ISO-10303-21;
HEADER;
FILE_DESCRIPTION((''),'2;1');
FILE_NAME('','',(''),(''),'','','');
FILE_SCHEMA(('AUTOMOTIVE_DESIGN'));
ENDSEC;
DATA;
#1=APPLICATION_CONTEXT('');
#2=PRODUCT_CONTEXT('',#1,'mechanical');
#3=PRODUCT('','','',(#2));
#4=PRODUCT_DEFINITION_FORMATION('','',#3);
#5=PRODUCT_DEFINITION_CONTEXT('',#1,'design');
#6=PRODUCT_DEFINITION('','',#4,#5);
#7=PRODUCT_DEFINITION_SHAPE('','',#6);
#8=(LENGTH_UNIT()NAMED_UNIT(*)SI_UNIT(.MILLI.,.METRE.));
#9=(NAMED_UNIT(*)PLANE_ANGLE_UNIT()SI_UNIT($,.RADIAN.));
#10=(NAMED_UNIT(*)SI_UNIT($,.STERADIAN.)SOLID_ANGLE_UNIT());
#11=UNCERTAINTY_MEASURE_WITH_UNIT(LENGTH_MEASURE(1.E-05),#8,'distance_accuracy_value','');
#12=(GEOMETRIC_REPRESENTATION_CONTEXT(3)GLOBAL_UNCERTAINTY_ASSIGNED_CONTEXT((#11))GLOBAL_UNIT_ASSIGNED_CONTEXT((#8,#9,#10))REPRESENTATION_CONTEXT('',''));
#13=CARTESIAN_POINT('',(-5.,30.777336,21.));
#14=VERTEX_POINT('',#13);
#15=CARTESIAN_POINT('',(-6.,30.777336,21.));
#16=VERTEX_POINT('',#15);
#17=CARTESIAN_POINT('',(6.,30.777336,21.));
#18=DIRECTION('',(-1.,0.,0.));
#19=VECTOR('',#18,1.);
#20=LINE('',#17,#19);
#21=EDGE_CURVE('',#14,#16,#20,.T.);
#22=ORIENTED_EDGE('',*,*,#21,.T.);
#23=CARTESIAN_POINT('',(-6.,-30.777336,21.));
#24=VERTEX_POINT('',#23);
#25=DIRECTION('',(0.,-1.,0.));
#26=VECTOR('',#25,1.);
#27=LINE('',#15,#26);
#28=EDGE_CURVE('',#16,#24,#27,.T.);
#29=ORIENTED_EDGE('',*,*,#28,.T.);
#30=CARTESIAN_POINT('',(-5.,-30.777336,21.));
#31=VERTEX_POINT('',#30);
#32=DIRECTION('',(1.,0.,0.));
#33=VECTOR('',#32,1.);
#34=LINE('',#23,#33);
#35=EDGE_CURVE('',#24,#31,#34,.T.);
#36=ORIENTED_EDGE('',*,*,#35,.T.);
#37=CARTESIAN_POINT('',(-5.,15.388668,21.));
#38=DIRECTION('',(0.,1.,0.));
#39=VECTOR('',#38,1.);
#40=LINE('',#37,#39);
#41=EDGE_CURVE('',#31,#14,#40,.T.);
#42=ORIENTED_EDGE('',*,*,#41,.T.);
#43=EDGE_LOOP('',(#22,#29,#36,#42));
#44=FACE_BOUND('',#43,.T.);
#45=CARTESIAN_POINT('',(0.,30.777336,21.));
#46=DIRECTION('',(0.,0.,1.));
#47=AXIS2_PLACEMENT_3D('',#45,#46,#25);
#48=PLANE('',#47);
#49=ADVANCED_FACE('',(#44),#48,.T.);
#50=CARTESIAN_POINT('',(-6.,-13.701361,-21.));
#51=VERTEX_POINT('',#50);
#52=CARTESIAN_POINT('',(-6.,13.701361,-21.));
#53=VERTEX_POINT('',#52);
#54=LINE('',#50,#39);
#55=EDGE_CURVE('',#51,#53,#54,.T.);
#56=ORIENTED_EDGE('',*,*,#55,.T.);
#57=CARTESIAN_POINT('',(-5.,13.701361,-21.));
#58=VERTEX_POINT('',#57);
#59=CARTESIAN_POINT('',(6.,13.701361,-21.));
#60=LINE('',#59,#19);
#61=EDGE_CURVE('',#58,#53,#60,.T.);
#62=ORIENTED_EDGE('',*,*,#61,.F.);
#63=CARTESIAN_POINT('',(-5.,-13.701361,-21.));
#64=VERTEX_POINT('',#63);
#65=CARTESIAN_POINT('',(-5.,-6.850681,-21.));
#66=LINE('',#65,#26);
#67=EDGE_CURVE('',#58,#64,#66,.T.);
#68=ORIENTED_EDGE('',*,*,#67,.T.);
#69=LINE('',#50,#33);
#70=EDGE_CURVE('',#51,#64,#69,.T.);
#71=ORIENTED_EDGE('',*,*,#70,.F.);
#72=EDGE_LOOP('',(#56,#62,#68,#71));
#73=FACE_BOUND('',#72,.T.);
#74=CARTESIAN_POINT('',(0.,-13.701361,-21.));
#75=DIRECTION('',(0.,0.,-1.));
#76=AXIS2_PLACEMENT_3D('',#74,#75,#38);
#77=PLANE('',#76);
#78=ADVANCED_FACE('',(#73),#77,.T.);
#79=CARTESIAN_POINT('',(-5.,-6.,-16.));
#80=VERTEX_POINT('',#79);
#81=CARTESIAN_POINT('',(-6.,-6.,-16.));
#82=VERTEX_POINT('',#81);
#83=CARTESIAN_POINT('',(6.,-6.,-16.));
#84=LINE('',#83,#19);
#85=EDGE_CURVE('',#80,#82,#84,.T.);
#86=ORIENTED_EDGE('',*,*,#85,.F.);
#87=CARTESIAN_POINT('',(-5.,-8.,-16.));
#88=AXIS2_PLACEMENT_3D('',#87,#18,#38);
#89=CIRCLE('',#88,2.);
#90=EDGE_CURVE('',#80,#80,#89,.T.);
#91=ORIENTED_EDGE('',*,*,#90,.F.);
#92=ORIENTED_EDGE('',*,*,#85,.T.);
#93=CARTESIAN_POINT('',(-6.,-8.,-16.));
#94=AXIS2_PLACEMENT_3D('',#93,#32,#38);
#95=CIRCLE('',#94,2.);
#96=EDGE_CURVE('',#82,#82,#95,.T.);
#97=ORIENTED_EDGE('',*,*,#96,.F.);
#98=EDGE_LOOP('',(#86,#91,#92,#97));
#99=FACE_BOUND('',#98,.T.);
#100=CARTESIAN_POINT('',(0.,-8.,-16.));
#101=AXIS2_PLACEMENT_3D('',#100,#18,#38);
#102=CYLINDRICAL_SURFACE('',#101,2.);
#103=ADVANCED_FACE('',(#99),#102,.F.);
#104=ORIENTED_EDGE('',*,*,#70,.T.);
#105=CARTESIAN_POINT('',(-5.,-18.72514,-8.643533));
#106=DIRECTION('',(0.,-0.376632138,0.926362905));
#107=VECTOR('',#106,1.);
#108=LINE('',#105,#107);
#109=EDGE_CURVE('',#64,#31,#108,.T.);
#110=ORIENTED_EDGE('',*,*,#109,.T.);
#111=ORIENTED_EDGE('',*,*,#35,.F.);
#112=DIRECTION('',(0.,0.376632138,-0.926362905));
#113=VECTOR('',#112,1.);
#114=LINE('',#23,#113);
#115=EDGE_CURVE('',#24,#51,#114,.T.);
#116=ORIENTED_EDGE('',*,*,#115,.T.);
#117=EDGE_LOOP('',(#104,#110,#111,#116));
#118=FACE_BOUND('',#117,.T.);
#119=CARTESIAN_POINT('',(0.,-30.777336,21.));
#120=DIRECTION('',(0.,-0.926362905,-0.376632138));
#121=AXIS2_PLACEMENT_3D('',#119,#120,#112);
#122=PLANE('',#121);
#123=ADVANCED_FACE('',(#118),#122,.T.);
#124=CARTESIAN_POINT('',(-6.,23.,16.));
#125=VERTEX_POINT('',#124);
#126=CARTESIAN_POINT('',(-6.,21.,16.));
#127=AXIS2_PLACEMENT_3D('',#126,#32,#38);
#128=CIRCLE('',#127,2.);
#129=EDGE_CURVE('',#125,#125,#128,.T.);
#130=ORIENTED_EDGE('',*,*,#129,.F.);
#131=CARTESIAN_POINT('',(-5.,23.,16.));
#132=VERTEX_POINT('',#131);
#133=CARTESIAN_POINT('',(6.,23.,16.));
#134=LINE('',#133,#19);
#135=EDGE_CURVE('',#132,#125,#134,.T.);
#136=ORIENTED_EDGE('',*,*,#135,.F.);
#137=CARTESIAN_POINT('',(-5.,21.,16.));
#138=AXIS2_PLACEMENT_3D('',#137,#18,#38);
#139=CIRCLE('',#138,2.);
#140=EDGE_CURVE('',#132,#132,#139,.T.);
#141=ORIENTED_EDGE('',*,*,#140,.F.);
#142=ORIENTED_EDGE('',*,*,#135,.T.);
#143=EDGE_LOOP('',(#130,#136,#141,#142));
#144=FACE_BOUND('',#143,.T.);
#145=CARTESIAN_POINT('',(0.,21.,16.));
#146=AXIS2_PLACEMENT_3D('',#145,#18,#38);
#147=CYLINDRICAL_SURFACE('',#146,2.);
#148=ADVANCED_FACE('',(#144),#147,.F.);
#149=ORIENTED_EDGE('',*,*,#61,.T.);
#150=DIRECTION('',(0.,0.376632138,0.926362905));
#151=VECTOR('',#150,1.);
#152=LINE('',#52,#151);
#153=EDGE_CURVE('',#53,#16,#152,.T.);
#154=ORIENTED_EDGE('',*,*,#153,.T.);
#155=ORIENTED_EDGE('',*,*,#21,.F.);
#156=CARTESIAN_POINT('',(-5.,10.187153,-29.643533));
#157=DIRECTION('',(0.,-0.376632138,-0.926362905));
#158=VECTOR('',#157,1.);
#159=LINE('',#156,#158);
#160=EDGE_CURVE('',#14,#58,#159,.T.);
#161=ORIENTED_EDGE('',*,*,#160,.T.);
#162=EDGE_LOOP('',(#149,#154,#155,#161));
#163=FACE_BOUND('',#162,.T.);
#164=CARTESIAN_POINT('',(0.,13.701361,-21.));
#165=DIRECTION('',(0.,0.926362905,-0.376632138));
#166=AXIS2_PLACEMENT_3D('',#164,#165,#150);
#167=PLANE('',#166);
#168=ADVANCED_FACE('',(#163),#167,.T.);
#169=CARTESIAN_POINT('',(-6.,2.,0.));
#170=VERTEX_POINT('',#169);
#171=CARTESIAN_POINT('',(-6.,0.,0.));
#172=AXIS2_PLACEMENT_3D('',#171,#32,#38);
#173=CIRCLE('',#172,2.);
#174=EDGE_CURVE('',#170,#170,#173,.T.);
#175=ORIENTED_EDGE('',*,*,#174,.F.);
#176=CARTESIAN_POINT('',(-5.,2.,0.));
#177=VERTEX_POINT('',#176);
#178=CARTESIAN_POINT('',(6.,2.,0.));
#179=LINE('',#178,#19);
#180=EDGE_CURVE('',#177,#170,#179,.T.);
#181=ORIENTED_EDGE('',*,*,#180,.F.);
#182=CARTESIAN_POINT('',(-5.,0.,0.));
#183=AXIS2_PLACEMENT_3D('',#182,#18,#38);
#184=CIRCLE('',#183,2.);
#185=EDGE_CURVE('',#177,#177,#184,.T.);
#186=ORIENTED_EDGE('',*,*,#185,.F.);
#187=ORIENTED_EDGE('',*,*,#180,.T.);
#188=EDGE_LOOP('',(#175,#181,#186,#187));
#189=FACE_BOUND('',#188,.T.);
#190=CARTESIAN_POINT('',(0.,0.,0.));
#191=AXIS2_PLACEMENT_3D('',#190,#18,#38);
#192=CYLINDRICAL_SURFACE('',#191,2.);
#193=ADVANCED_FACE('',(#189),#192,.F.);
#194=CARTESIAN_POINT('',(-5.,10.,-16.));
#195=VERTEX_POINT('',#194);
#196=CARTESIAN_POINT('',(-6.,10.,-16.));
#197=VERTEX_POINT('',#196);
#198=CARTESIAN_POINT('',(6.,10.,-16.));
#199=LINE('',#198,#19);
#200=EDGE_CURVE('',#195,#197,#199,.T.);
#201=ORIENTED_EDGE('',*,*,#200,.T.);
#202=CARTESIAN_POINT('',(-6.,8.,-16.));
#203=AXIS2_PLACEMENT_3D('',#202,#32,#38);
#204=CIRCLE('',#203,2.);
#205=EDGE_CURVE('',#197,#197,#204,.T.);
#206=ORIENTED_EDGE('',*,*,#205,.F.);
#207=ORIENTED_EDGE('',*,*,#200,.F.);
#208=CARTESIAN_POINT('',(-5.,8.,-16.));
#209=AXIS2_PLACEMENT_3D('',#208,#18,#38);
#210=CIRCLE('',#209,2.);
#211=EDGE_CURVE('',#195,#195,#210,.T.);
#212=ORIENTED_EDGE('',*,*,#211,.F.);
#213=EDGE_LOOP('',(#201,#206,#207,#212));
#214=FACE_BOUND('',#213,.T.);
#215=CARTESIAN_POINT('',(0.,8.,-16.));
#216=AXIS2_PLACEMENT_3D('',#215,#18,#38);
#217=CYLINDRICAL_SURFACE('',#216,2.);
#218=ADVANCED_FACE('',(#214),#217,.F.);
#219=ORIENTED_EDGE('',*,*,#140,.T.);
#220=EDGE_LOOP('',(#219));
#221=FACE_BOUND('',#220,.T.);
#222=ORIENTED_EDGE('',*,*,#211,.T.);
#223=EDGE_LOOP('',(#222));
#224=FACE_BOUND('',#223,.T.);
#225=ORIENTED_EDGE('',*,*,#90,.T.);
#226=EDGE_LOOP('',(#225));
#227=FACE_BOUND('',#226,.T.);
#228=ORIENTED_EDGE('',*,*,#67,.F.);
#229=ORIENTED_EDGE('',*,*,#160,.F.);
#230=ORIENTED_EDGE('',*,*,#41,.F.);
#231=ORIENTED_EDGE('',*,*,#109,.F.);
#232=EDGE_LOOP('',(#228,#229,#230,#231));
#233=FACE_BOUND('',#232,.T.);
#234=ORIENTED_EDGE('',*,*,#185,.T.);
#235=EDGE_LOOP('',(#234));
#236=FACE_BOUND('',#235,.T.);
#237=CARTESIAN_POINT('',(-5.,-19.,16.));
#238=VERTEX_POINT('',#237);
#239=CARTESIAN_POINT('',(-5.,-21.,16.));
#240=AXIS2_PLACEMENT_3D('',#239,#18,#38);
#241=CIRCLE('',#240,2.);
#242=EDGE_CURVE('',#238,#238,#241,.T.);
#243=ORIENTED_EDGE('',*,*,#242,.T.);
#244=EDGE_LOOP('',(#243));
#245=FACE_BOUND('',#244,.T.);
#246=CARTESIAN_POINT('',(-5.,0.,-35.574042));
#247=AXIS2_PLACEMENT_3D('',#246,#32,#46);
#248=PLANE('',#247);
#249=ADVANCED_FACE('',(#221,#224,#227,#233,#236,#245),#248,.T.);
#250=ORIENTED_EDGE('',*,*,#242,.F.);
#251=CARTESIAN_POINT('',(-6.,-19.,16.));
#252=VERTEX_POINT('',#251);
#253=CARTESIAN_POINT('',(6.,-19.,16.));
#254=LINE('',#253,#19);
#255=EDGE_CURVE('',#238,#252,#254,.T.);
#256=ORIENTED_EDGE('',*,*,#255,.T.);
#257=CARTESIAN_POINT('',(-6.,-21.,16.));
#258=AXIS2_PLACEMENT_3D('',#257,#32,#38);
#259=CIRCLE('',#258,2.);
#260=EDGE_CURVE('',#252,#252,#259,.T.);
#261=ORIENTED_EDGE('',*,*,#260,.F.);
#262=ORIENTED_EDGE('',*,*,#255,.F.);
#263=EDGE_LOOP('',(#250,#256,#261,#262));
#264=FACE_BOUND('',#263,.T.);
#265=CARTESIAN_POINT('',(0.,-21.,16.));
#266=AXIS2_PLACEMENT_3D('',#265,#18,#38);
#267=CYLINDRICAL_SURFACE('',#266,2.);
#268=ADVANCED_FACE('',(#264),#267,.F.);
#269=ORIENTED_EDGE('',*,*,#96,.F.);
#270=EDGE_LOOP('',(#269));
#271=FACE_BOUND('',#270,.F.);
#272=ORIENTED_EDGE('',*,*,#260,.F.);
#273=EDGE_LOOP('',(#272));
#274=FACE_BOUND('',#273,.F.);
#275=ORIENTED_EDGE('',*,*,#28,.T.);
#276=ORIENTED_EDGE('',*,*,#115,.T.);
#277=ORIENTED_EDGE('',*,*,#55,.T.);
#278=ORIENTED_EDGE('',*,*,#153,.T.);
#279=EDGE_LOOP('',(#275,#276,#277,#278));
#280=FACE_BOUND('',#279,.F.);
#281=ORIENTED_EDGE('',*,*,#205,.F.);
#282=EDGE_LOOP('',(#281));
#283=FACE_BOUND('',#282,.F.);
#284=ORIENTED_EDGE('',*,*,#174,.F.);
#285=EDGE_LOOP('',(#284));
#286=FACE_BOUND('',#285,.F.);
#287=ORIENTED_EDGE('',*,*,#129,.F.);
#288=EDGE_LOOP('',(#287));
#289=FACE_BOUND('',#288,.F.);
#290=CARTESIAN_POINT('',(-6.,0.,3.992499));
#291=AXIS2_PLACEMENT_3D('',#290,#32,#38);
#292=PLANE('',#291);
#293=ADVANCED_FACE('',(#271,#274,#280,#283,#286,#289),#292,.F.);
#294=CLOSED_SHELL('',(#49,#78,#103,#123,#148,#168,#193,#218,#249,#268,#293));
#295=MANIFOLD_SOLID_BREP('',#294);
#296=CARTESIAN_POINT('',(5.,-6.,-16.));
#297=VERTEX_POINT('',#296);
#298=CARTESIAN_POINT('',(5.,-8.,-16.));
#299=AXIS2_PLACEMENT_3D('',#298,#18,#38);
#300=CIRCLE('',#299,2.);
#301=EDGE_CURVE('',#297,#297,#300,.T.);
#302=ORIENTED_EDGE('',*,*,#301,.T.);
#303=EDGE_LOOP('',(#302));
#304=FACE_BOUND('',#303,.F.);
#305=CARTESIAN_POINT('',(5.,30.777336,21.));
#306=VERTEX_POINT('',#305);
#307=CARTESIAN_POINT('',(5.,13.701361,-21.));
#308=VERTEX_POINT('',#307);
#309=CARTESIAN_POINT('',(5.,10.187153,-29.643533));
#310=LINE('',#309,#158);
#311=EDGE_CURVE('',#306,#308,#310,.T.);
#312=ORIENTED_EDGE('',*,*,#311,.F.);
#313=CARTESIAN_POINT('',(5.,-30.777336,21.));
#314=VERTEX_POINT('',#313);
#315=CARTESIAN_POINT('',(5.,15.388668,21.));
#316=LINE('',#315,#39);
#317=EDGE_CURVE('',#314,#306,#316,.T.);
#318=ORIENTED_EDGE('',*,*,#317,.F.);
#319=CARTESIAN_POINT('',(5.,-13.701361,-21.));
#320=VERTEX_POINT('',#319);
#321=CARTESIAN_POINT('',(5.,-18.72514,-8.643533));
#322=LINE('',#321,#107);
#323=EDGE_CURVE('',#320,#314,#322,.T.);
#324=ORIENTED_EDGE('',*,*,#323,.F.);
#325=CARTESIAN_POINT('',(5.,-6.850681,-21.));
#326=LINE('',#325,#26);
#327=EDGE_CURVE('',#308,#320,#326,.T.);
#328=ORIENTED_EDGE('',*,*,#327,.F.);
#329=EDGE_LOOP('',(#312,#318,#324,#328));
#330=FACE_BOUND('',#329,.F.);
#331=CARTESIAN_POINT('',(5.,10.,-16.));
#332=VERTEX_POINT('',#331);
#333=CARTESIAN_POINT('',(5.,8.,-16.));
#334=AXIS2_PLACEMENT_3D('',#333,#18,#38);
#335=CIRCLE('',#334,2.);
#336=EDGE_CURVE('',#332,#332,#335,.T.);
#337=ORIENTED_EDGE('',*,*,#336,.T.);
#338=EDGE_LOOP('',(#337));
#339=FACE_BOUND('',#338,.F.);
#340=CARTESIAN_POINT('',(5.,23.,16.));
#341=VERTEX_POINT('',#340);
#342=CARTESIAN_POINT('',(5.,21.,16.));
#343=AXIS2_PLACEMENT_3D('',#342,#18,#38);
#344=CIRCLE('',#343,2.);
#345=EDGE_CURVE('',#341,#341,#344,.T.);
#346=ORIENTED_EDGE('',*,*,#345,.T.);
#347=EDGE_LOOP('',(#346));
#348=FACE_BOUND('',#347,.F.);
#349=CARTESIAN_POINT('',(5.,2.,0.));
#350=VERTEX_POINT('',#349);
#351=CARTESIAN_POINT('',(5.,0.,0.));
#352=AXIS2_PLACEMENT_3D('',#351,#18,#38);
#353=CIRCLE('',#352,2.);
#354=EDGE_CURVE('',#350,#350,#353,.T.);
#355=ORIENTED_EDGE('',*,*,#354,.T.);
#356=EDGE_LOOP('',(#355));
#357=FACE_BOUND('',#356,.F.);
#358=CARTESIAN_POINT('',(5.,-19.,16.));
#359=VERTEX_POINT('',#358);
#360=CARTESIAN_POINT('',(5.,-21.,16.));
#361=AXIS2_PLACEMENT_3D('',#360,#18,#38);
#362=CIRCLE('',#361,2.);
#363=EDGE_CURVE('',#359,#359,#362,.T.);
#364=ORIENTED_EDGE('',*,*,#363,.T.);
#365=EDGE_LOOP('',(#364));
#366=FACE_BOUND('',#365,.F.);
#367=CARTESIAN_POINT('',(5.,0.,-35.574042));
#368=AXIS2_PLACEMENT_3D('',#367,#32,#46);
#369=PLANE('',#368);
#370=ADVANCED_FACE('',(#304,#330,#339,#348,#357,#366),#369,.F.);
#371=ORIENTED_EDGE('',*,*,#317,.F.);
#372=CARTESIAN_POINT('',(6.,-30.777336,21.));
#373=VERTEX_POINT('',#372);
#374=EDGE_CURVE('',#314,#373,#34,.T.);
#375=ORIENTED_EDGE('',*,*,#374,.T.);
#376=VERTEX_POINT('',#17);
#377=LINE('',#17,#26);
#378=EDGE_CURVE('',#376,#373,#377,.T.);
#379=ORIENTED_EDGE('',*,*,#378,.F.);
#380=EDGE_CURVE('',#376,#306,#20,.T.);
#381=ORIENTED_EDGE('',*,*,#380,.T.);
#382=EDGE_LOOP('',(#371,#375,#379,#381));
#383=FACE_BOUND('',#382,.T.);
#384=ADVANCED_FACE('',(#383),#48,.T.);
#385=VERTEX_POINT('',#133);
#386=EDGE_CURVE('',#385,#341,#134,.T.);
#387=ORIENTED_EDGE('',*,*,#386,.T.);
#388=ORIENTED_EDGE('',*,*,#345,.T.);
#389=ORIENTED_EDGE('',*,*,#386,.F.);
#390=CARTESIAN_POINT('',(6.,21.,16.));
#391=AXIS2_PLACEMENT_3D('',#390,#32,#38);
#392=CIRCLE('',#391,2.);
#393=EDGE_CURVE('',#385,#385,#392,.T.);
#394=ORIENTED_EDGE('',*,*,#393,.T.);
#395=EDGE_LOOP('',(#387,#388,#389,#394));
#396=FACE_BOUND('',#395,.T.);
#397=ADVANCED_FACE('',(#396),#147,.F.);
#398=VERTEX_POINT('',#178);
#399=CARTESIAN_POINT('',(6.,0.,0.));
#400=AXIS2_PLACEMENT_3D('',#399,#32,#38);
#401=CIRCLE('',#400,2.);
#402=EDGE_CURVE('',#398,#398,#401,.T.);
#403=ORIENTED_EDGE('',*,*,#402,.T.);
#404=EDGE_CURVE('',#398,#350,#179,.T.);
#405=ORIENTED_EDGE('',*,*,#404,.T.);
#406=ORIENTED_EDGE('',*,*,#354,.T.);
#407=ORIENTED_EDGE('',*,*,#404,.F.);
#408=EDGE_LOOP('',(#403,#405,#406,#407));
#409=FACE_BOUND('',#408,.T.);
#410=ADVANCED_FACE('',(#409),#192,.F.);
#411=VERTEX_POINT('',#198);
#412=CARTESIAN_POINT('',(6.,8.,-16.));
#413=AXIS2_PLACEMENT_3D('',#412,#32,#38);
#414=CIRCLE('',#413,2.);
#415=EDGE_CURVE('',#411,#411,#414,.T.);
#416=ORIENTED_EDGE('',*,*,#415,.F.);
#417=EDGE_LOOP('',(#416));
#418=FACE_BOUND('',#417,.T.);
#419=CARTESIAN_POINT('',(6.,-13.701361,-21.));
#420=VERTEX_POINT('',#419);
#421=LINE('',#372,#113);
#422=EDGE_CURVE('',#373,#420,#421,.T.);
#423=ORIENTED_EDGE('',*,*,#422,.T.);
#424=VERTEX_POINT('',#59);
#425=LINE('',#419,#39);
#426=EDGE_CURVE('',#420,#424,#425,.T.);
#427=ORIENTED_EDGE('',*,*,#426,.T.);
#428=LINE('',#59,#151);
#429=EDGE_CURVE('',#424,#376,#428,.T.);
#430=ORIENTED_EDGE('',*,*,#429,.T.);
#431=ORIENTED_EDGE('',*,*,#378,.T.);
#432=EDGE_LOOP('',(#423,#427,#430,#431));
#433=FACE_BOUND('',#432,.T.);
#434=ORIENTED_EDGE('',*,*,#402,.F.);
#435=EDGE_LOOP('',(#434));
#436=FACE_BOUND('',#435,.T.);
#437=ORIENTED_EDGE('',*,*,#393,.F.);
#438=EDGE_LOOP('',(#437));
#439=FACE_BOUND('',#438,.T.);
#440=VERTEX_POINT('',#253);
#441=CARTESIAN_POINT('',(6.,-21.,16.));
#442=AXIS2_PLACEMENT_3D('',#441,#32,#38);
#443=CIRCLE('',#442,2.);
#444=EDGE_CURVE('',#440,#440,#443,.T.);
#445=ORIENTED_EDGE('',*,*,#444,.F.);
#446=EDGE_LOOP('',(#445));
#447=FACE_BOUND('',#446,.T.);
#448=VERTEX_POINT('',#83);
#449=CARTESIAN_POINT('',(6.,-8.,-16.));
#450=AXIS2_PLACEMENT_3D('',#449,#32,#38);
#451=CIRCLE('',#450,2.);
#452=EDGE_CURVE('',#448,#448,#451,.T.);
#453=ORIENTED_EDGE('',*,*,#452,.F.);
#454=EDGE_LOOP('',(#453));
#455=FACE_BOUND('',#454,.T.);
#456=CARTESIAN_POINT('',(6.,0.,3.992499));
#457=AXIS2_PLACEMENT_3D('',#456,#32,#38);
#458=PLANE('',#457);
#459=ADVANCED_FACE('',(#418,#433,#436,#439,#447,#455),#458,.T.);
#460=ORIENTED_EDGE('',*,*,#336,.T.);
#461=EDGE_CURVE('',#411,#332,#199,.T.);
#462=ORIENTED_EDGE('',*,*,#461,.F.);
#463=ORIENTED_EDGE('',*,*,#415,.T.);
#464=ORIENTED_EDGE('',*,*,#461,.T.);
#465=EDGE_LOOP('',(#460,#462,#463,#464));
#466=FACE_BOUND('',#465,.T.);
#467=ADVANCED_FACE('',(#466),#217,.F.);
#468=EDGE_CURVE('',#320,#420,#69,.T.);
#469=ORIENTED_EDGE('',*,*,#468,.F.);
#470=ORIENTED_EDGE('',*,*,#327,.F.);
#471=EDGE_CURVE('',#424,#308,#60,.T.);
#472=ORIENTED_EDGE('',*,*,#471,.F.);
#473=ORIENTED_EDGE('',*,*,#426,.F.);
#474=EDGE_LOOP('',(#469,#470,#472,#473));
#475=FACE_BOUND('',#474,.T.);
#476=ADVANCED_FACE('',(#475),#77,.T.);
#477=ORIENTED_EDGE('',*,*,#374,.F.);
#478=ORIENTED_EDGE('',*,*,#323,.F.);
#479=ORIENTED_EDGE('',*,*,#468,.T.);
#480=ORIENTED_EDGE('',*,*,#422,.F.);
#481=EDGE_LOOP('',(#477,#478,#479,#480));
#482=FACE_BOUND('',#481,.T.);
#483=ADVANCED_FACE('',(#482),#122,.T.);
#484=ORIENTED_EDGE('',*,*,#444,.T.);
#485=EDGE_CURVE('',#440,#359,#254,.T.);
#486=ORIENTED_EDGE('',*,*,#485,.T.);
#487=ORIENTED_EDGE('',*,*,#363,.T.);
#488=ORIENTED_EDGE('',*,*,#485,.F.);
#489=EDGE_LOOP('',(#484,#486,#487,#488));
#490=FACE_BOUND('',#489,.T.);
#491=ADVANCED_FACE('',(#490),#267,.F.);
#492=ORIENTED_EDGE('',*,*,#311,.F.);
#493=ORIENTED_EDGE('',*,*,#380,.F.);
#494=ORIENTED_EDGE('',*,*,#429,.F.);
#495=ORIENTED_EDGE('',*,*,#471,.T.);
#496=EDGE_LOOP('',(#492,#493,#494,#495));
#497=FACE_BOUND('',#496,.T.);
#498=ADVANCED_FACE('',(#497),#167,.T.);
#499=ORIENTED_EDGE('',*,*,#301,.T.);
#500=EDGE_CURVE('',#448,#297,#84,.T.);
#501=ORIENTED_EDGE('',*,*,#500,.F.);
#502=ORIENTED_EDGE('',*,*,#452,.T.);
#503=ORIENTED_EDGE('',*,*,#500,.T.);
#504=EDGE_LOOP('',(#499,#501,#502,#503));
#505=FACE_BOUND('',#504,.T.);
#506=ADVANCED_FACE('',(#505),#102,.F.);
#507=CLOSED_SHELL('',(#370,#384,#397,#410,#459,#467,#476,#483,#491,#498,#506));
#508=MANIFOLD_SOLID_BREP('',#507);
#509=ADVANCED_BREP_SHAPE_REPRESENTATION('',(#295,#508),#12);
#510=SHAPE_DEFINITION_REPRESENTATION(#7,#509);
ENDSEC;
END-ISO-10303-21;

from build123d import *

# Parameters (mm, degrees)
F0_R     = 2
F1_DEPTH = 6
F2_W     = 10
F2_H     = 71.148084
F3_DEPTH = 50


with BuildPart() as f1:
    # F0 (on Right) → F1 (new body, symmetric)
    with BuildSketch(Plane.YZ):
        Polygon((30.777336, 21), (0, 21), (-30.777336, 21), (-13.701361, -21), (0, -21), (13.701361, -21), align=None)
        with Locations((-8, -16)):
            Circle(F0_R, mode=Mode.SUBTRACT)
        with Locations((8, -16)):
            Circle(F0_R, mode=Mode.SUBTRACT)
        with Locations((-21, 16)):
            Circle(F0_R, mode=Mode.SUBTRACT)
        Circle(F0_R, mode=Mode.SUBTRACT)
        with Locations((21, 16)):
            Circle(F0_R, mode=Mode.SUBTRACT)
    extrude(amount=F1_DEPTH, both=True)

    # F2 (on Front) → F3 (cut, symmetric)
    with BuildSketch(Plane.XZ):
        Rectangle(F2_W, F2_H)
    extrude(amount=F3_DEPTH, both=True, mode=Mode.SUBTRACT)


solid = f1.part
